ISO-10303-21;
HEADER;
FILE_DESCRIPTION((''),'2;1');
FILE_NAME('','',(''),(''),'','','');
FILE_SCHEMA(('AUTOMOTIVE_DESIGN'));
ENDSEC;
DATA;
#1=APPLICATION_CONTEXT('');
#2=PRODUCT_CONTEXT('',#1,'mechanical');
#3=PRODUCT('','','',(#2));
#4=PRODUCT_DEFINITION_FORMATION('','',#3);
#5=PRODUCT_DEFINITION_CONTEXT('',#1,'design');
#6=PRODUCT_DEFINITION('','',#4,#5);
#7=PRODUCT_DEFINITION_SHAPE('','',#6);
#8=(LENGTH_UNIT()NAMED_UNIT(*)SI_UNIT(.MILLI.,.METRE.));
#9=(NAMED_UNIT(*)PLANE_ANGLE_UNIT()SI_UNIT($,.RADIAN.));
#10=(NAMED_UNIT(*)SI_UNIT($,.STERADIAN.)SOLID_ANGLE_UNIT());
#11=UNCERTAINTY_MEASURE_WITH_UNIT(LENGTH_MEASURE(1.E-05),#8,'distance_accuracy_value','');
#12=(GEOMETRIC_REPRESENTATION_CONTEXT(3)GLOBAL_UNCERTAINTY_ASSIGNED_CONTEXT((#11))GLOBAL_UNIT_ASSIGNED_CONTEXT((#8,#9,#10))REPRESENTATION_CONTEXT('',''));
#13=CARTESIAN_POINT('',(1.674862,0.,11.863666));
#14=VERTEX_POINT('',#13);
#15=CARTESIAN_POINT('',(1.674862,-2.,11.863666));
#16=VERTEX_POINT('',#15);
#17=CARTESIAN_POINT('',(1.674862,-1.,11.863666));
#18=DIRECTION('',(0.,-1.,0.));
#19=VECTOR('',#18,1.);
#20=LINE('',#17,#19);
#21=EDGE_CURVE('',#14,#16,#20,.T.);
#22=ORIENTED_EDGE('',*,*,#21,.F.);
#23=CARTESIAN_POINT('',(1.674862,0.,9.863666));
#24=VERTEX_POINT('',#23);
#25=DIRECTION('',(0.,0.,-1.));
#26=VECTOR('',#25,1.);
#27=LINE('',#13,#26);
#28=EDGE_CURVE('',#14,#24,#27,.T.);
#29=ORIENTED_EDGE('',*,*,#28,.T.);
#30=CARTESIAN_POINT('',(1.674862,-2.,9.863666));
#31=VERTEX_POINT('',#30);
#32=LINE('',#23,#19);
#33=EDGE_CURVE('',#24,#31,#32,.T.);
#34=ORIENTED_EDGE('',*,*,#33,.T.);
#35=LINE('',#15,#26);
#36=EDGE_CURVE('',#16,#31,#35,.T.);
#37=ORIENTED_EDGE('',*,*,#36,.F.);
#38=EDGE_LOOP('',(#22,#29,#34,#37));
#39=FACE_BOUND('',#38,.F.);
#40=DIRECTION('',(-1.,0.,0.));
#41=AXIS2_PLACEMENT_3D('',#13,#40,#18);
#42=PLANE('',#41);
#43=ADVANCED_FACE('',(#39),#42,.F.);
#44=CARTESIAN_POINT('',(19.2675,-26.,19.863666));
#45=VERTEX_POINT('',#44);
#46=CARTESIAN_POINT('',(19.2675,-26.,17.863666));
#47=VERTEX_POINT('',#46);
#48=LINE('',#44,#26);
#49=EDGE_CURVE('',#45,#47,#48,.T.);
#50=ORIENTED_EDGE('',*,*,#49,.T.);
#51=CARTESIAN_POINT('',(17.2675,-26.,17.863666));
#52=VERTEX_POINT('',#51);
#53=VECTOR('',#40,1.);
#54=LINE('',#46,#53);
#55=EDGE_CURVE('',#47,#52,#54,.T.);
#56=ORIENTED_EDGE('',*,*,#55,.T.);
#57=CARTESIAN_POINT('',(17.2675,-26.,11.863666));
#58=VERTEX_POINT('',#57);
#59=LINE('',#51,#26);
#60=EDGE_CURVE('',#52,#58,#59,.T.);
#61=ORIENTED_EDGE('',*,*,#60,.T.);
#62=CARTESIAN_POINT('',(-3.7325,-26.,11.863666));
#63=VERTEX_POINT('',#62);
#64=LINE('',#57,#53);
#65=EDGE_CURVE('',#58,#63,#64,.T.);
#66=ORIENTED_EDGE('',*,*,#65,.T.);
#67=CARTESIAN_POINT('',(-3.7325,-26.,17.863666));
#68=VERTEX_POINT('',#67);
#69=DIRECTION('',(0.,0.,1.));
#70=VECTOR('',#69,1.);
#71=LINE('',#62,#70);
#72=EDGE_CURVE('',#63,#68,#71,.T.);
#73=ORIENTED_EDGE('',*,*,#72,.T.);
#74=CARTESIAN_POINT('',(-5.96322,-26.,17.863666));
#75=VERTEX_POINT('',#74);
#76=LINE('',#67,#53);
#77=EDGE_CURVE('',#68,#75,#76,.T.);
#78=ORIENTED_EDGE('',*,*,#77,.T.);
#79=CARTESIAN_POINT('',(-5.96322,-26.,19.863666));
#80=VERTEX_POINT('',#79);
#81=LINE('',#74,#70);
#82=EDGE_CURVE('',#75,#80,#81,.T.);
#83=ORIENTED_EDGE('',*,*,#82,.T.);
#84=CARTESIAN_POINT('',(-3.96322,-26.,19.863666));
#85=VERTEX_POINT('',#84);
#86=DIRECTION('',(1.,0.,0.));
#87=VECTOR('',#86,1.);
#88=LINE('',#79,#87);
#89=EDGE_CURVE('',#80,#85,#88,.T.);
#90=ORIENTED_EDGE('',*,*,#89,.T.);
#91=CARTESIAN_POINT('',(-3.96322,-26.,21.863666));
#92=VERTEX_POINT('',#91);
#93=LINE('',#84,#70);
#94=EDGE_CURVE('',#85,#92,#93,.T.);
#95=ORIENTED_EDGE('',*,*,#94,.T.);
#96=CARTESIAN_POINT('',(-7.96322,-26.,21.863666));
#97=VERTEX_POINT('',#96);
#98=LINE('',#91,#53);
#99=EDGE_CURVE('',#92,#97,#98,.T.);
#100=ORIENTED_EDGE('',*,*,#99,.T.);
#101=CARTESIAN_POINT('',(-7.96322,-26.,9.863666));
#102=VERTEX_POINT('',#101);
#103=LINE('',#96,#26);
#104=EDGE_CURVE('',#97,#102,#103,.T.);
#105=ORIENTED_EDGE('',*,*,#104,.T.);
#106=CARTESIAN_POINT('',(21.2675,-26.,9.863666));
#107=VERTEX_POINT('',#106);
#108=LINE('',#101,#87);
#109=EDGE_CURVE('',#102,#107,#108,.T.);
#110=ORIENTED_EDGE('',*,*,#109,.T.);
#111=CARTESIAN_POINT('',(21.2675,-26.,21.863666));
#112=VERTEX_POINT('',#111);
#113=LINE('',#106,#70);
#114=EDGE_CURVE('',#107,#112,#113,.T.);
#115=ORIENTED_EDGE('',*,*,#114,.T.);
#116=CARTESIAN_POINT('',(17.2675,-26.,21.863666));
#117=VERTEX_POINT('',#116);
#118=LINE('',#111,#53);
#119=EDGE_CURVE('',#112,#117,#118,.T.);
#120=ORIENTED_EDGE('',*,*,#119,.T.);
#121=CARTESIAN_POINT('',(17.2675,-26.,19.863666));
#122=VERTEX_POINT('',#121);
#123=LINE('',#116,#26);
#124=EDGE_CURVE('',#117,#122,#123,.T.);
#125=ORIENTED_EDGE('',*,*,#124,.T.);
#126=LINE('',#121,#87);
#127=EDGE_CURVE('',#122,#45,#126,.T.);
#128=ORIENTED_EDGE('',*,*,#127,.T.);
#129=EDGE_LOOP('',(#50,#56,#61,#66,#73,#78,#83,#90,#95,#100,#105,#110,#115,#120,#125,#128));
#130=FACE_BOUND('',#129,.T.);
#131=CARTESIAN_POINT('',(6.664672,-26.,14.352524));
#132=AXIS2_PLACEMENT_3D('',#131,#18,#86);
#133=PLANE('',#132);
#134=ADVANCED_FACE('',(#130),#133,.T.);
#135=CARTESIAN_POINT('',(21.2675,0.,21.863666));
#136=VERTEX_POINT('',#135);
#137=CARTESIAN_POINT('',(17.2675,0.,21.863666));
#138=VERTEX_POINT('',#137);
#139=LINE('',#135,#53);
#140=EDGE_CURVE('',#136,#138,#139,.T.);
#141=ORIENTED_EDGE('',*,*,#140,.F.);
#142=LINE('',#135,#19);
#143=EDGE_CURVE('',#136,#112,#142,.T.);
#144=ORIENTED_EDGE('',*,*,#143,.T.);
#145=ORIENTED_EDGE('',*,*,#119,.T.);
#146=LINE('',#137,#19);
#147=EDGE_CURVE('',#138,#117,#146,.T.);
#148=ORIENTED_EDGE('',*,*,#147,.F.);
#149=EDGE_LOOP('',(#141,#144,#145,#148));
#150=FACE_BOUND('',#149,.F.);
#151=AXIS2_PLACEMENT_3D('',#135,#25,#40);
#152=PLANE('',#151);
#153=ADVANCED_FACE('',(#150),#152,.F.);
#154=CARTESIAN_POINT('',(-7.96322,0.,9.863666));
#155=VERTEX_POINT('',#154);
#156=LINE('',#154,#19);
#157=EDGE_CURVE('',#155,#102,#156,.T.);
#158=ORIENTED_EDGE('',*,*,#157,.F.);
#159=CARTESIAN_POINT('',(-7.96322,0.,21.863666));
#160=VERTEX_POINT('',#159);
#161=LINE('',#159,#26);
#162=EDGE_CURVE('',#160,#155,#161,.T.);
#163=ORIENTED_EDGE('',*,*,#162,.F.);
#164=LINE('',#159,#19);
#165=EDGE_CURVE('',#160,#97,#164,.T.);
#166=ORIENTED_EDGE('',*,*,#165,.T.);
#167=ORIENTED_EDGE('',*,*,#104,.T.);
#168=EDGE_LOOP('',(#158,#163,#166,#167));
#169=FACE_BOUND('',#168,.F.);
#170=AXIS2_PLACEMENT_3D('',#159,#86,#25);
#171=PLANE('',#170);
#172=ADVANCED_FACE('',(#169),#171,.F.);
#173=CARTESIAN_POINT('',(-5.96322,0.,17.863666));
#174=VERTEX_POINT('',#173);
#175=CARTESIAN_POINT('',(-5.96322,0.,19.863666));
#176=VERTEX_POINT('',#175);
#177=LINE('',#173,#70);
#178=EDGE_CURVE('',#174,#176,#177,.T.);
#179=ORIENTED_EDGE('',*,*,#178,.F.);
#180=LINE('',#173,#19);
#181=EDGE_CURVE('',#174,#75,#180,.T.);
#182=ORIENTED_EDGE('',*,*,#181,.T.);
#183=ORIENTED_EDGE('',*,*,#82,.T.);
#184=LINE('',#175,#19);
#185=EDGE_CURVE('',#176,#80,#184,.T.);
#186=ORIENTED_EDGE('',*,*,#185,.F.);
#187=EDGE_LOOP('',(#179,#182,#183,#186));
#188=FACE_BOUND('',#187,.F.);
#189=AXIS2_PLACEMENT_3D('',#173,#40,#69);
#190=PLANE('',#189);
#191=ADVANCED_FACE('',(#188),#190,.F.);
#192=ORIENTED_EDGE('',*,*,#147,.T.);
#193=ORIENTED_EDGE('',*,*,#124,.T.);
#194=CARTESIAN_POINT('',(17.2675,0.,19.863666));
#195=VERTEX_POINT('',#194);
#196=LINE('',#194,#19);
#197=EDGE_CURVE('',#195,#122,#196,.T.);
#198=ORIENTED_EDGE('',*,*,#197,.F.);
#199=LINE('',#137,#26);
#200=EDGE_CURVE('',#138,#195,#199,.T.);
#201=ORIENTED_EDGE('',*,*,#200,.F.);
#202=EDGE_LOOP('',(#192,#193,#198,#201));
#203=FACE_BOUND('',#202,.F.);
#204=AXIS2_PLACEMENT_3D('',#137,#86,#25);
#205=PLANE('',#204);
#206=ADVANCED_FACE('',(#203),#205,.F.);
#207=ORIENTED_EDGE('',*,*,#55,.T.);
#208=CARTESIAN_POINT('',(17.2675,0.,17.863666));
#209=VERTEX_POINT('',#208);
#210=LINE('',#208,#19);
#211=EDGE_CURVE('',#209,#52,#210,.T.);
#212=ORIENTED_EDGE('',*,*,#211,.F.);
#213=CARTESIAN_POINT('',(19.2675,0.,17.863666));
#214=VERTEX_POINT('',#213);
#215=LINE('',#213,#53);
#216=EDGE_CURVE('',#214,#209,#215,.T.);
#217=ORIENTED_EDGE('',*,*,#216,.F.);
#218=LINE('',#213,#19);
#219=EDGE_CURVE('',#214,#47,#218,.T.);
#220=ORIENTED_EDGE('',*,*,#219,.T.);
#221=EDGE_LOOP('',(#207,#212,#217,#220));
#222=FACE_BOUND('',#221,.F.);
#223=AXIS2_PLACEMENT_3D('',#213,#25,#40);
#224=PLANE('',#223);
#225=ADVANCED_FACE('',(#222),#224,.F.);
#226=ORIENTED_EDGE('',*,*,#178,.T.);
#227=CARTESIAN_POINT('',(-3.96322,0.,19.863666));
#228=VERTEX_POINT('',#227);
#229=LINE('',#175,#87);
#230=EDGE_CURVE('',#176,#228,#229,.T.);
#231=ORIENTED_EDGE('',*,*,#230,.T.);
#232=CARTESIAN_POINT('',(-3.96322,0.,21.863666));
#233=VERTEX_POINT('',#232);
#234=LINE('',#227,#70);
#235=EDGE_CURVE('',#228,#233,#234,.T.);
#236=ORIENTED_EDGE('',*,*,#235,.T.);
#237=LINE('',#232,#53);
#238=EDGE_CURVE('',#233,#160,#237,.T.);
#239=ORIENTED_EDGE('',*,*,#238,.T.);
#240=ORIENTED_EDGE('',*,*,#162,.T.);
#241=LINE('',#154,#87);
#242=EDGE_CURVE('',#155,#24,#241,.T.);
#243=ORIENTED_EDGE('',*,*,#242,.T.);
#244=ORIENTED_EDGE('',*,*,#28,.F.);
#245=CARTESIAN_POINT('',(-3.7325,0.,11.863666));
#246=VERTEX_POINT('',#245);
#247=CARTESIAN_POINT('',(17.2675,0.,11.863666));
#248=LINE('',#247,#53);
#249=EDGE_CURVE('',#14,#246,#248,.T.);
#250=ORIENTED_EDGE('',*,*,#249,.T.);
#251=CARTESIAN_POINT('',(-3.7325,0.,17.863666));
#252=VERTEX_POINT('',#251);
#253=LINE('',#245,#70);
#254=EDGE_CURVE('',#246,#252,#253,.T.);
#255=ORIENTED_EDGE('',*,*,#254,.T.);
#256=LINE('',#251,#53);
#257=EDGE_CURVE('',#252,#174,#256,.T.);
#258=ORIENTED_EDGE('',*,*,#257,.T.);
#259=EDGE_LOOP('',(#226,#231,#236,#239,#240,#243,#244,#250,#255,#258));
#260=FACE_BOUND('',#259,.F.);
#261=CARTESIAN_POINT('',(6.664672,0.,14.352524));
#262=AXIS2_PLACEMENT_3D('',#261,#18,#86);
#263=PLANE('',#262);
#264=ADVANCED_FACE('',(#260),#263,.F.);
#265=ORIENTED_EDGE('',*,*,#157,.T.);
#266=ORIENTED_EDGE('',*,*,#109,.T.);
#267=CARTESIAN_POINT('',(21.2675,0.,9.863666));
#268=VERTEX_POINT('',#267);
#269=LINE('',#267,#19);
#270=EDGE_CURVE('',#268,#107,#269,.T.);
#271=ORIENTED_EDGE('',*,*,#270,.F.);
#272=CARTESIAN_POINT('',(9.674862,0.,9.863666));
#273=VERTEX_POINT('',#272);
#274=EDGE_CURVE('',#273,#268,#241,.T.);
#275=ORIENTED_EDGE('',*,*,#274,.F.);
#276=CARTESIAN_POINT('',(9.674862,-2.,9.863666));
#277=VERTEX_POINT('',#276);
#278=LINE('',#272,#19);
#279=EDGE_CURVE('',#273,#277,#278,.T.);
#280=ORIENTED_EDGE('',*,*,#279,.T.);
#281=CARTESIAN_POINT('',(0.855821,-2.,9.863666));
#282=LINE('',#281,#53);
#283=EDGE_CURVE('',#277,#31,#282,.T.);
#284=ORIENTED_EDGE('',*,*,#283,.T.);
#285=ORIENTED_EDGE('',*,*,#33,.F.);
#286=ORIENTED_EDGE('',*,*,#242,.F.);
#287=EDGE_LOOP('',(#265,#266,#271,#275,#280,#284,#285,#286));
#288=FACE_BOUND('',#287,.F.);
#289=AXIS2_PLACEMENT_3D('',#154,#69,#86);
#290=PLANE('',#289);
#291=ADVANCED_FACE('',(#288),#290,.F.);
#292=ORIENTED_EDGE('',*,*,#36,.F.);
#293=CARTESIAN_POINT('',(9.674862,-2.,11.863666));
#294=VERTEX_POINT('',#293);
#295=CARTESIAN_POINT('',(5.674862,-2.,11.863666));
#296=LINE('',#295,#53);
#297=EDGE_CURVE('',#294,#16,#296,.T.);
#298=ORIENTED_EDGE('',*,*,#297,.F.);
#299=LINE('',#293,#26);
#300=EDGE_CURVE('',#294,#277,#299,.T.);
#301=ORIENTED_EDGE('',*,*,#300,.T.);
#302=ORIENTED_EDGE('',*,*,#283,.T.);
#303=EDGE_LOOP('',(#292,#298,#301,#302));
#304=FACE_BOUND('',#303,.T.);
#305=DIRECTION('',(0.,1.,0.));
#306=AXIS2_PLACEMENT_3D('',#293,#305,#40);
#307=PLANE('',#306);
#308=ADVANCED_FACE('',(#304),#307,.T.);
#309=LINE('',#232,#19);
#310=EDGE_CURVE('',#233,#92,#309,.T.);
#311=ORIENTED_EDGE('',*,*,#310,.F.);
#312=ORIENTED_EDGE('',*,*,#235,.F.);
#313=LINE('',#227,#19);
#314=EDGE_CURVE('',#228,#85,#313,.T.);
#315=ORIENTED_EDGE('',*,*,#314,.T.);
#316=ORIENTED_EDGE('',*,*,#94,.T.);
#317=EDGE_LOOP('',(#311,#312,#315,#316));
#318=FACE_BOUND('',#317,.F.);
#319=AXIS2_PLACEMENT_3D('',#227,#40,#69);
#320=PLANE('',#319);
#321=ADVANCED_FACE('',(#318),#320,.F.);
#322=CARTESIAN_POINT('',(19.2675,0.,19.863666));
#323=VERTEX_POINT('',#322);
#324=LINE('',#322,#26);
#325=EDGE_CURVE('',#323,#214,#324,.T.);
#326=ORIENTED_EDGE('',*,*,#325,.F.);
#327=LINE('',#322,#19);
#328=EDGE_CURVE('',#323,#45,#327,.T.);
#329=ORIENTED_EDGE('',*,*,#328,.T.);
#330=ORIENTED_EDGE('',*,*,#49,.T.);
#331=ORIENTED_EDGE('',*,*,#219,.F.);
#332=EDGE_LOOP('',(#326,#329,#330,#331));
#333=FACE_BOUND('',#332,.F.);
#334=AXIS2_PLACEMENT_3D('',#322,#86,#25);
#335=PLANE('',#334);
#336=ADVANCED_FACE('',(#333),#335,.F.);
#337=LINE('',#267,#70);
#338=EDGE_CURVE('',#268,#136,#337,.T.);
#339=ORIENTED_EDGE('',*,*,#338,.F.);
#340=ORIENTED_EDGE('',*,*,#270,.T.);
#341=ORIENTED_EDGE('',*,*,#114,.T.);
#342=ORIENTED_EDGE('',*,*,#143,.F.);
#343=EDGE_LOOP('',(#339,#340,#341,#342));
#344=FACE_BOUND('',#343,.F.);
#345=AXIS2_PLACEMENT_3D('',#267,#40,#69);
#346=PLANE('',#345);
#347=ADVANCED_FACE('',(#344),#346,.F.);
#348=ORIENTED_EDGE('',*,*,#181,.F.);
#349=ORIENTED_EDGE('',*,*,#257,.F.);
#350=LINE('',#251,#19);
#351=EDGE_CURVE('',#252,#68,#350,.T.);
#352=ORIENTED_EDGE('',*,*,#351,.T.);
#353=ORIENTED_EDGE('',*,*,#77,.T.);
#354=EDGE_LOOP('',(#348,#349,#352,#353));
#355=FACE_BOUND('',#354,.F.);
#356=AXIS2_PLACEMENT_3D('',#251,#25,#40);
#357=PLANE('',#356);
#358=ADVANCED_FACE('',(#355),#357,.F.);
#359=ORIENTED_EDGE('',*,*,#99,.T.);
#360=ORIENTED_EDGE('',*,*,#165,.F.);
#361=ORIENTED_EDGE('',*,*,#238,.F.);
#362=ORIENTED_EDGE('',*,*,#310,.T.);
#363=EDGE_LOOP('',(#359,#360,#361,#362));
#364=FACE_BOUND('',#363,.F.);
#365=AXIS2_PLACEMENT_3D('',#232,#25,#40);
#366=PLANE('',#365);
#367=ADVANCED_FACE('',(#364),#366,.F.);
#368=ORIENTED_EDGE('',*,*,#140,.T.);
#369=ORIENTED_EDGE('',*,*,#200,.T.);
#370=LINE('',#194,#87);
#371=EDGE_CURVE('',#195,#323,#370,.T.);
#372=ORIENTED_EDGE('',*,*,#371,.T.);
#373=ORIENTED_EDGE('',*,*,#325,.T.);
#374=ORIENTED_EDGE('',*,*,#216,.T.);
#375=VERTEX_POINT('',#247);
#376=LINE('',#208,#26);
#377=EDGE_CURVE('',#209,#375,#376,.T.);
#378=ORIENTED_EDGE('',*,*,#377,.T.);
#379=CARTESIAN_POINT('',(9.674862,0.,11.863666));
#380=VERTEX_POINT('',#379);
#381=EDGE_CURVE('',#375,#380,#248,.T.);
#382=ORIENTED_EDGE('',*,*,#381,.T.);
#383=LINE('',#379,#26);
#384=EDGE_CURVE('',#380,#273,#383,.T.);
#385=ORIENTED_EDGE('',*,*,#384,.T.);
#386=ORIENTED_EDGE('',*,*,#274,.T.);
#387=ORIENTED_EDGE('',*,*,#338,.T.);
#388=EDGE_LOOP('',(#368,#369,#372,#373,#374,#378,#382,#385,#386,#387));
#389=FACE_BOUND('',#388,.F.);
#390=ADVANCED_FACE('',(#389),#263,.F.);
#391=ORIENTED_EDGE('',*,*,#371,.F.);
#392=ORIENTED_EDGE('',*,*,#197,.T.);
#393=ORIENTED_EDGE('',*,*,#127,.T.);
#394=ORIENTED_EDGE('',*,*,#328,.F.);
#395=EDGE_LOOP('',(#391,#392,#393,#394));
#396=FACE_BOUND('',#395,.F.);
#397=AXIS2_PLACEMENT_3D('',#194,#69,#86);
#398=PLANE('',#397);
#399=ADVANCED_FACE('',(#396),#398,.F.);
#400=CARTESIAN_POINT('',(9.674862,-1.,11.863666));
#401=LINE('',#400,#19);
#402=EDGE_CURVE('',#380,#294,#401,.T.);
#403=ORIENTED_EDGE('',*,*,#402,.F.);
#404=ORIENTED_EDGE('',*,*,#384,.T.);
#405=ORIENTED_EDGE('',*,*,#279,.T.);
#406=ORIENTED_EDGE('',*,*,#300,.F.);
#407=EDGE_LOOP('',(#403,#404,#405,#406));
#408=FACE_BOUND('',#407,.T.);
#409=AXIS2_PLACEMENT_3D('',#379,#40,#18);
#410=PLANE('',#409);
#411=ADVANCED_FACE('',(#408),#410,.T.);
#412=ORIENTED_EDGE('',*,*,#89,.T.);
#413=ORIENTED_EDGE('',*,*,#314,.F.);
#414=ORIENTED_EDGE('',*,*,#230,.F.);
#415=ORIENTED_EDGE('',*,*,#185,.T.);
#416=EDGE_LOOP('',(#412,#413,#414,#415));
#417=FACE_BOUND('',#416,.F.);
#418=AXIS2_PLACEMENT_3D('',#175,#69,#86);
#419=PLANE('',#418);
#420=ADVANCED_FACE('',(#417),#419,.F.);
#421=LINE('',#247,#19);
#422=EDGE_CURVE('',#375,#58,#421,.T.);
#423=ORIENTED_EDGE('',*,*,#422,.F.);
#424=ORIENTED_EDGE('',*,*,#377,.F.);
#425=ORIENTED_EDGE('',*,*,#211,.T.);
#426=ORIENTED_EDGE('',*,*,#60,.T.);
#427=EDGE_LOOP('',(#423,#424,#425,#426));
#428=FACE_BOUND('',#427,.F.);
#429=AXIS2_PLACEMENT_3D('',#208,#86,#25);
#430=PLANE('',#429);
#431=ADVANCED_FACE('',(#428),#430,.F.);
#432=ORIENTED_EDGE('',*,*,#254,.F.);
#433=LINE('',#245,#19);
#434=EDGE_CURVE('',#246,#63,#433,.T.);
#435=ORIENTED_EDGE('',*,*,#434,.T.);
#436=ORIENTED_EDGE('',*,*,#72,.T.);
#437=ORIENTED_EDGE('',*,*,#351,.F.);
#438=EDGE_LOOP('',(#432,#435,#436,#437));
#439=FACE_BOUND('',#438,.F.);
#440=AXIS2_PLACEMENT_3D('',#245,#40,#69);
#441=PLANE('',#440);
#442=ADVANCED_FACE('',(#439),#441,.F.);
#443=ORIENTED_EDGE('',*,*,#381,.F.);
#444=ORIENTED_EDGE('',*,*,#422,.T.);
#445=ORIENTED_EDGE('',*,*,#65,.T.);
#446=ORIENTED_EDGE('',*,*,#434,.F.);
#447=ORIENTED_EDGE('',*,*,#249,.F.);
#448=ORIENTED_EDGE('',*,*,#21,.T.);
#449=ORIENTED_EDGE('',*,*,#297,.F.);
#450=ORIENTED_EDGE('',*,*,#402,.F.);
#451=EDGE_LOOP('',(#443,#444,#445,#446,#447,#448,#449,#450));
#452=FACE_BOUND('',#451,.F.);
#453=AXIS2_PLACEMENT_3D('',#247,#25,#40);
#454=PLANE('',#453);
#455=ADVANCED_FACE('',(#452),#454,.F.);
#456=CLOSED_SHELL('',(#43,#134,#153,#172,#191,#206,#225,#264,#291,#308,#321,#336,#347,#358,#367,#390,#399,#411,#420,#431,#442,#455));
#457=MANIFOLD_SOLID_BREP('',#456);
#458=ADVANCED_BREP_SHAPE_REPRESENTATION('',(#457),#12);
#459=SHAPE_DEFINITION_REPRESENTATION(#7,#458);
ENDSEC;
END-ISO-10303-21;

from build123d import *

# Parameters (mm, degrees)
PAD_DEPTH    = 26
SKETCH001_W  = 8
SKETCH001_H  = 2
POCKET_DEPTH = 2.001


with BuildPart() as part:
    # Sketch → Pad (new body)
    with BuildSketch(Plane.XZ):
        Polygon((-3.96322, 19.863666), (-3.96322, 21.863666), (-7.96322, 21.863666), (-7.96322, 9.863666), (21.2675, 9.863666), (21.2675, 21.863666), (17.2675, 21.863666), (17.2675, 19.863666), (19.2675, 19.863666), (19.2675, 17.863666), (17.2675, 17.863666), (17.2675, 11.863666), (-3.7325, 11.863666), (-3.7325, 17.863666), (-5.96322, 17.863666), (-5.96322, 19.863666), align=None)
    extrude(amount=PAD_DEPTH)

    # Sketch001 (on Face12 of Pad) → Pocket (cut, through all)
    with BuildSketch(Plane(origin=(0, 0, 11.863666), x_dir=(-1, 0, 0), z_dir=(0, 0, 1))):
        with Locations((-5.674862, 1)):
            Rectangle(SKETCH001_W, SKETCH001_H)
    extrude(amount=-POCKET_DEPTH, mode=Mode.SUBTRACT)


solid = part.part
